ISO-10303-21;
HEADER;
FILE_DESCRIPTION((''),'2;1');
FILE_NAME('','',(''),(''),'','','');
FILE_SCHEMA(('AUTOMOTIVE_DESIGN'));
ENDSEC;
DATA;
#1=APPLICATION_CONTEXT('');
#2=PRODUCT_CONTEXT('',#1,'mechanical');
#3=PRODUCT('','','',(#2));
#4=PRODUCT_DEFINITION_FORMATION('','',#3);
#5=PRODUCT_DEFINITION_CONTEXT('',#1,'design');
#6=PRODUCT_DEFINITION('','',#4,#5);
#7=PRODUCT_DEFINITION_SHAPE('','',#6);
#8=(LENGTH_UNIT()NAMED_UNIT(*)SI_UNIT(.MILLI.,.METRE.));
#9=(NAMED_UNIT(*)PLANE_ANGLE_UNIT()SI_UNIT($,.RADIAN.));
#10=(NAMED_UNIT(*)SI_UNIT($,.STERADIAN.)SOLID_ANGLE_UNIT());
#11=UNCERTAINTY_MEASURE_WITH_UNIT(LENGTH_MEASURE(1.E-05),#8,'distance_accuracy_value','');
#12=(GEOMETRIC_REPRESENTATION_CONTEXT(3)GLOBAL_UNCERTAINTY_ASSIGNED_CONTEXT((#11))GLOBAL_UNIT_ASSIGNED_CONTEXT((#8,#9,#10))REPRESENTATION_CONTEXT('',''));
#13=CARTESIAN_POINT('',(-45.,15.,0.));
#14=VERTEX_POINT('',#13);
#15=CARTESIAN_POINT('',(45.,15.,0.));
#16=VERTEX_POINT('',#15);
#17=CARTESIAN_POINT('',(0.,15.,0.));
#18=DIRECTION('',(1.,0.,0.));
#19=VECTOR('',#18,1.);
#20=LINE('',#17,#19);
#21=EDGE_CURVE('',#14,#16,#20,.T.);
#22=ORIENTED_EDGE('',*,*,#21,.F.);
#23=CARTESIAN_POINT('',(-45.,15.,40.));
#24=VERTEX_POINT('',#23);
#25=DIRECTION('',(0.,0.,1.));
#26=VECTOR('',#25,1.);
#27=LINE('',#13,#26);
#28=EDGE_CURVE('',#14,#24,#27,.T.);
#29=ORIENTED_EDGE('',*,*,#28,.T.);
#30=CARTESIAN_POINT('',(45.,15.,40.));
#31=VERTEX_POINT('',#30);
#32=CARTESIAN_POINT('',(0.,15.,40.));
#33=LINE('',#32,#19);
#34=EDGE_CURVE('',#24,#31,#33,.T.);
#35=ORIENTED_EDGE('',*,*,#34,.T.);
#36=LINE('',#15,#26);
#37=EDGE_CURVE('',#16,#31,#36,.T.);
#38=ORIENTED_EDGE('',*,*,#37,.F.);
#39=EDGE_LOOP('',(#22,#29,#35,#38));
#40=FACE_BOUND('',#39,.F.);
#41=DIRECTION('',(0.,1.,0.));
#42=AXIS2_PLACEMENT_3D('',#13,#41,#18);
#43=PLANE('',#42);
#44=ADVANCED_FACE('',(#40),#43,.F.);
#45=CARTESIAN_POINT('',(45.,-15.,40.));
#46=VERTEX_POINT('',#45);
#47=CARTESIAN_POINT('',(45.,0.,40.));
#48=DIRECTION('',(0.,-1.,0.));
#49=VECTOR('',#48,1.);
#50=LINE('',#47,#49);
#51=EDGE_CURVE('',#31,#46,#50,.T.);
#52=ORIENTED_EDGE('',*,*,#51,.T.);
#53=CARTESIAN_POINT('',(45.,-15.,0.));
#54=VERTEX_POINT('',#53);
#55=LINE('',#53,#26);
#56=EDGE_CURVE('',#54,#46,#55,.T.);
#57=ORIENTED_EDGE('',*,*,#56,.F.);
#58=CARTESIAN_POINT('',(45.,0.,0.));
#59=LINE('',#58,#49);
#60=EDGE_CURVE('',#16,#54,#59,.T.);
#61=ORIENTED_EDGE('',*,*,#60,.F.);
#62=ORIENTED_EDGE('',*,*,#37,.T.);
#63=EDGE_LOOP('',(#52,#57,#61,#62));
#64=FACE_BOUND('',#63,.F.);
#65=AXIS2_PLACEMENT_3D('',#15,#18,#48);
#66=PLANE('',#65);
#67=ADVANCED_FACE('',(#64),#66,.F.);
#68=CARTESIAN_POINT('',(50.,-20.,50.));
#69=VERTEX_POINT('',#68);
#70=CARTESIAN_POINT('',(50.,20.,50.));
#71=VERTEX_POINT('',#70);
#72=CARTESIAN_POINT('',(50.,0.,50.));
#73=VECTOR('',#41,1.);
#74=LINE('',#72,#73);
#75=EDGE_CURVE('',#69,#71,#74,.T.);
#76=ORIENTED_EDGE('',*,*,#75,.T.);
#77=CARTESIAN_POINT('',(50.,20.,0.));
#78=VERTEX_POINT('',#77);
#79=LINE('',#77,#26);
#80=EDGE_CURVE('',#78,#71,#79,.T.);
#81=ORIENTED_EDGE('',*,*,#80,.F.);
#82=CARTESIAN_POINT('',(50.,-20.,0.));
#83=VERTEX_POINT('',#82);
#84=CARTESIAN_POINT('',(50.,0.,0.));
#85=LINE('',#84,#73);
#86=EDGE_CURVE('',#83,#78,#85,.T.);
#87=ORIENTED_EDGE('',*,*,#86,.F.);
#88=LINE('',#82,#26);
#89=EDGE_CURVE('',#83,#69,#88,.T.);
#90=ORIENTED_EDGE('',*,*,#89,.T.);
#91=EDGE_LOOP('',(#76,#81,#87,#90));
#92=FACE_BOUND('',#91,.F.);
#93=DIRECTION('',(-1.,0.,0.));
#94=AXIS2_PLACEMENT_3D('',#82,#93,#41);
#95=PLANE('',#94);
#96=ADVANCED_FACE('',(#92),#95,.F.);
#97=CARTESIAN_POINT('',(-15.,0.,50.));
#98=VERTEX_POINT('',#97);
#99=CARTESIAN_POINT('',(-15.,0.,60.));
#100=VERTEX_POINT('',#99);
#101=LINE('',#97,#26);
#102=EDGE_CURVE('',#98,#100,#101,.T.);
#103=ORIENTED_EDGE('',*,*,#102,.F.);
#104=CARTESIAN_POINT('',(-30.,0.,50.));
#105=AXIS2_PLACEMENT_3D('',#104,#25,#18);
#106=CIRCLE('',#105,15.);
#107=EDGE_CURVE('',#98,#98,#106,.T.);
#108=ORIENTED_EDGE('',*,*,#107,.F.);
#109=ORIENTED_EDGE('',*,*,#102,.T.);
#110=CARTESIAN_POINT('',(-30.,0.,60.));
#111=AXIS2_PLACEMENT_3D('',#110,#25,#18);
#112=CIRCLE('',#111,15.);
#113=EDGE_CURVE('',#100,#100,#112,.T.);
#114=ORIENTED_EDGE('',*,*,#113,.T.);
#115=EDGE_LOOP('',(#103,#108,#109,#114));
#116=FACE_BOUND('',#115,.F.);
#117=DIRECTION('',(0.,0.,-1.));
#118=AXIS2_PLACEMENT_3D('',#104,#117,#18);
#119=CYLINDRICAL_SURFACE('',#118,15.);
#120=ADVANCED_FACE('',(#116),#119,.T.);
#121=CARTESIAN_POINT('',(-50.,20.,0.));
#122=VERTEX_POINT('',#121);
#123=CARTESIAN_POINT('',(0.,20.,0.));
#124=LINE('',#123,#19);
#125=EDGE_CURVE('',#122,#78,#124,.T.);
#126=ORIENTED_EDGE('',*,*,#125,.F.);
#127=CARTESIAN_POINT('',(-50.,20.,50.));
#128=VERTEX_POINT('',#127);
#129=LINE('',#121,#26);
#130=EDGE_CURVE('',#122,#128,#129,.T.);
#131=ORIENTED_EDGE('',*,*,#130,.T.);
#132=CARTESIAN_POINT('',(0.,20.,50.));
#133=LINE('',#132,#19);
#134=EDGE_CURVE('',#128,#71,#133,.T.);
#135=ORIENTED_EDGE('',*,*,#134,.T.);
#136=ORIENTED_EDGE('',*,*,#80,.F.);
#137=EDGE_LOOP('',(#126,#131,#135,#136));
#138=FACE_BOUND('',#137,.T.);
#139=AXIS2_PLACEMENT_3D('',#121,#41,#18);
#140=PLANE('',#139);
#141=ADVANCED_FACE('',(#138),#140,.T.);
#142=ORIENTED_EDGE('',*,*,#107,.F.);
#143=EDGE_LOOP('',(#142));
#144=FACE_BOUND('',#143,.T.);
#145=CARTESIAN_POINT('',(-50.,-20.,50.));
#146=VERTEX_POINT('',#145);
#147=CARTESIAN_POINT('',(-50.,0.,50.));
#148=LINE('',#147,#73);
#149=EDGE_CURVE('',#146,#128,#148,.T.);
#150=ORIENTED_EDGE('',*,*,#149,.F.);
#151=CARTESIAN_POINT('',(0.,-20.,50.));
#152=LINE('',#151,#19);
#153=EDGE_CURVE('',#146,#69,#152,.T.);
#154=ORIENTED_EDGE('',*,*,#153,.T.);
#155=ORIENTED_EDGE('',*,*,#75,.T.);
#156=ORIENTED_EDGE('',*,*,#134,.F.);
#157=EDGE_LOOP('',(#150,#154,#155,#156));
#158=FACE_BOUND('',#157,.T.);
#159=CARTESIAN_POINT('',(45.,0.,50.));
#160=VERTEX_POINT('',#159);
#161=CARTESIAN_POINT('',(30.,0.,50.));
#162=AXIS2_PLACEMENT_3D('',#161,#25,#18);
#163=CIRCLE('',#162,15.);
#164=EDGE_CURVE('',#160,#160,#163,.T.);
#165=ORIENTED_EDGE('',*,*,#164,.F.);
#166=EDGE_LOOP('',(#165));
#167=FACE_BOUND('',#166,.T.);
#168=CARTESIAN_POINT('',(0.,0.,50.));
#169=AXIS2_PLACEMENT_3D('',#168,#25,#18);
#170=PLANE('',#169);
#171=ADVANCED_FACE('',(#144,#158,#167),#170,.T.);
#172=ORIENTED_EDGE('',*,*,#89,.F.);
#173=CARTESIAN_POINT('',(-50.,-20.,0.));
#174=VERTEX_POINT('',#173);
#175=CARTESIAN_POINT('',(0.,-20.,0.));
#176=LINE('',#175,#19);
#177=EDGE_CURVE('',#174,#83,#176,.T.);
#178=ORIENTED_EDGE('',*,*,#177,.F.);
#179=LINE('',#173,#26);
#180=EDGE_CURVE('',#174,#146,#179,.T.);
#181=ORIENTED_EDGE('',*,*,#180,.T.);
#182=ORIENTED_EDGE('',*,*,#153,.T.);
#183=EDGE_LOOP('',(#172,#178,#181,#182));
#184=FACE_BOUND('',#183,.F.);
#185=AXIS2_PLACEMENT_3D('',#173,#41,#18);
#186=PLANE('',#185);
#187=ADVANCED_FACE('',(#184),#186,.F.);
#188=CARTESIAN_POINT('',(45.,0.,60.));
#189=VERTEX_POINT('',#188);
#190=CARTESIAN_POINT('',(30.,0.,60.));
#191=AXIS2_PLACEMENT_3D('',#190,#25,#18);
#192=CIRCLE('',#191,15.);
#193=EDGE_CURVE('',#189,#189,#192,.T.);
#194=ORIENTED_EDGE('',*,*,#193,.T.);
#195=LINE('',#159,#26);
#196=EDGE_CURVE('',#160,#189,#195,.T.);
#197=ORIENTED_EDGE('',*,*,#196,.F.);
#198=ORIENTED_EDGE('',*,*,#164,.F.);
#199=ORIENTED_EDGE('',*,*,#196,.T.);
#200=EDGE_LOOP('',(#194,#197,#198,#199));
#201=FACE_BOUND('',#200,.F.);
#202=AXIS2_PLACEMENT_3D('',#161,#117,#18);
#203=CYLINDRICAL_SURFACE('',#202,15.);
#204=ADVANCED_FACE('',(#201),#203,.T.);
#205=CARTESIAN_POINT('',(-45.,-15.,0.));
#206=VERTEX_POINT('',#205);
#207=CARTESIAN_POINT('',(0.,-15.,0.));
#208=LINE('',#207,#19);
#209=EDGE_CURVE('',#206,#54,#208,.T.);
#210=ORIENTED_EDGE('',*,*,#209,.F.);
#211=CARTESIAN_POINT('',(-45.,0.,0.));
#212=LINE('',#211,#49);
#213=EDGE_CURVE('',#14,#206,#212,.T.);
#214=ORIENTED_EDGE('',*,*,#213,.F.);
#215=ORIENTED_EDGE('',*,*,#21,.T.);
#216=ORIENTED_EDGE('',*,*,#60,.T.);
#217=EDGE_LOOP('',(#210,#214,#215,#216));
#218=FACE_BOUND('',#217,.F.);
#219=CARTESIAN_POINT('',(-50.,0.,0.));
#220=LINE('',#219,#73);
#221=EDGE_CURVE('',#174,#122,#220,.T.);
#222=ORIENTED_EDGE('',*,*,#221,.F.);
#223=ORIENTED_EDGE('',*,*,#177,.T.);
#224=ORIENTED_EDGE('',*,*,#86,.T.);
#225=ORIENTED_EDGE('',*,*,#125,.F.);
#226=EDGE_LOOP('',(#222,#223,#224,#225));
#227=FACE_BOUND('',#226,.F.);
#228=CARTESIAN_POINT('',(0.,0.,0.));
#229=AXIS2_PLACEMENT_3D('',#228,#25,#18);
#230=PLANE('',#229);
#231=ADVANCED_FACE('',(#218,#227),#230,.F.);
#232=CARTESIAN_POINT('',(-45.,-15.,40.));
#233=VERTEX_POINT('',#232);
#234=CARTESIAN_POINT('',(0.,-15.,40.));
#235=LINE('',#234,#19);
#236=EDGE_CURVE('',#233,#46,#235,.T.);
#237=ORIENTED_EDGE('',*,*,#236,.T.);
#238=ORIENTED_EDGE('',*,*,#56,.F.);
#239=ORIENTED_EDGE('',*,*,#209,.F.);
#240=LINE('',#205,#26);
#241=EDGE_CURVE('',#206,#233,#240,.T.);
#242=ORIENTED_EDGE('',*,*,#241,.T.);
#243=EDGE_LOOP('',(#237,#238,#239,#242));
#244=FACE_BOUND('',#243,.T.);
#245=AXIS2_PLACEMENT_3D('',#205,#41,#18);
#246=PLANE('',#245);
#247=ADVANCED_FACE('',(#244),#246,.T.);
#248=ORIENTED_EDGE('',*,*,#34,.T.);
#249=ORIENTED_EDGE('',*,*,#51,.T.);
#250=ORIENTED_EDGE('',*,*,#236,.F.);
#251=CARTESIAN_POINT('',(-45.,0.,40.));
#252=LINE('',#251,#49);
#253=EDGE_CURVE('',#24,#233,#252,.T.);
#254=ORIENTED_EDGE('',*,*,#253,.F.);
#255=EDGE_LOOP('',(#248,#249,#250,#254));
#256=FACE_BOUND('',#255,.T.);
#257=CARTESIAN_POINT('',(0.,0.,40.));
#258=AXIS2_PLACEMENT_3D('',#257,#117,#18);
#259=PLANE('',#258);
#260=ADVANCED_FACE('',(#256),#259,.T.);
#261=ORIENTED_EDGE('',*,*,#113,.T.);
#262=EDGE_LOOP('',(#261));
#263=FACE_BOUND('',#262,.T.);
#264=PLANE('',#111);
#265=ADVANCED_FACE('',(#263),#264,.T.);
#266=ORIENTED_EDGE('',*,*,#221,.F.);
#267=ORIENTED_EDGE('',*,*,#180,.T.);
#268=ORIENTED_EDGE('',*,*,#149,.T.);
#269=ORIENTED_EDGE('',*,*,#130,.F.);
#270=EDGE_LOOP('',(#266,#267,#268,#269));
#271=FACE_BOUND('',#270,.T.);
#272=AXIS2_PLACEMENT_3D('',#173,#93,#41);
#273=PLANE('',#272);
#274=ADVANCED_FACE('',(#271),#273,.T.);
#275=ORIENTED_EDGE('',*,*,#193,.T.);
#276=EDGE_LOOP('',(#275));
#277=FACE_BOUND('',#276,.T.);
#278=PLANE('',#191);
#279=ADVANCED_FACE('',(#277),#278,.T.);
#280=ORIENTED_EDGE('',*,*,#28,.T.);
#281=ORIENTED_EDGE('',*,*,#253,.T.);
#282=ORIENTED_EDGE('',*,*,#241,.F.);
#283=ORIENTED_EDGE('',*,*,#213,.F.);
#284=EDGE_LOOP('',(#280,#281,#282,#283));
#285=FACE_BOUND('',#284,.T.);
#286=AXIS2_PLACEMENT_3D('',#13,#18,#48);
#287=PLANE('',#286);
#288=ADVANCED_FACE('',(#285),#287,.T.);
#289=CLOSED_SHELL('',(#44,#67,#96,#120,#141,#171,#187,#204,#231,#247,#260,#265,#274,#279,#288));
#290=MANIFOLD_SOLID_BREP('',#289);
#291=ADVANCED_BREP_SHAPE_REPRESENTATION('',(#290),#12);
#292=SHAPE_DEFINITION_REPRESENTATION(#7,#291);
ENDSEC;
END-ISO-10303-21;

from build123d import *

# Parameters (mm, degrees)
F0_W     = 100
F0_H     = 40
F1_DEPTH = 50
F2_R     = 15
F3_DEPTH = 10
F4_W     = 90
F4_H     = 30
F5_DEPTH = 40


with BuildPart() as f1:
    # F0 (on Top) → F1 (new body)
    with BuildSketch(Plane.XY):
        Rectangle(F0_W, F0_H)
    extrude(amount=F1_DEPTH)

    # F2 (on face) → F3 (join)
    with BuildSketch(Plane.XY.offset(50)):
        with Locations((30, 0)):
            Circle(F2_R)
        with Locations((-30, 0)):
            Circle(F2_R)
    extrude(amount=F3_DEPTH)

    # F4 (on face) → F5 (cut)
    with BuildSketch(Plane(origin=(0, 0, 0), x_dir=(1, 0, 0), z_dir=(0, 0, -1))):
        Rectangle(F4_W, F4_H)
    extrude(amount=-F5_DEPTH, mode=Mode.SUBTRACT)


solid = f1.part
